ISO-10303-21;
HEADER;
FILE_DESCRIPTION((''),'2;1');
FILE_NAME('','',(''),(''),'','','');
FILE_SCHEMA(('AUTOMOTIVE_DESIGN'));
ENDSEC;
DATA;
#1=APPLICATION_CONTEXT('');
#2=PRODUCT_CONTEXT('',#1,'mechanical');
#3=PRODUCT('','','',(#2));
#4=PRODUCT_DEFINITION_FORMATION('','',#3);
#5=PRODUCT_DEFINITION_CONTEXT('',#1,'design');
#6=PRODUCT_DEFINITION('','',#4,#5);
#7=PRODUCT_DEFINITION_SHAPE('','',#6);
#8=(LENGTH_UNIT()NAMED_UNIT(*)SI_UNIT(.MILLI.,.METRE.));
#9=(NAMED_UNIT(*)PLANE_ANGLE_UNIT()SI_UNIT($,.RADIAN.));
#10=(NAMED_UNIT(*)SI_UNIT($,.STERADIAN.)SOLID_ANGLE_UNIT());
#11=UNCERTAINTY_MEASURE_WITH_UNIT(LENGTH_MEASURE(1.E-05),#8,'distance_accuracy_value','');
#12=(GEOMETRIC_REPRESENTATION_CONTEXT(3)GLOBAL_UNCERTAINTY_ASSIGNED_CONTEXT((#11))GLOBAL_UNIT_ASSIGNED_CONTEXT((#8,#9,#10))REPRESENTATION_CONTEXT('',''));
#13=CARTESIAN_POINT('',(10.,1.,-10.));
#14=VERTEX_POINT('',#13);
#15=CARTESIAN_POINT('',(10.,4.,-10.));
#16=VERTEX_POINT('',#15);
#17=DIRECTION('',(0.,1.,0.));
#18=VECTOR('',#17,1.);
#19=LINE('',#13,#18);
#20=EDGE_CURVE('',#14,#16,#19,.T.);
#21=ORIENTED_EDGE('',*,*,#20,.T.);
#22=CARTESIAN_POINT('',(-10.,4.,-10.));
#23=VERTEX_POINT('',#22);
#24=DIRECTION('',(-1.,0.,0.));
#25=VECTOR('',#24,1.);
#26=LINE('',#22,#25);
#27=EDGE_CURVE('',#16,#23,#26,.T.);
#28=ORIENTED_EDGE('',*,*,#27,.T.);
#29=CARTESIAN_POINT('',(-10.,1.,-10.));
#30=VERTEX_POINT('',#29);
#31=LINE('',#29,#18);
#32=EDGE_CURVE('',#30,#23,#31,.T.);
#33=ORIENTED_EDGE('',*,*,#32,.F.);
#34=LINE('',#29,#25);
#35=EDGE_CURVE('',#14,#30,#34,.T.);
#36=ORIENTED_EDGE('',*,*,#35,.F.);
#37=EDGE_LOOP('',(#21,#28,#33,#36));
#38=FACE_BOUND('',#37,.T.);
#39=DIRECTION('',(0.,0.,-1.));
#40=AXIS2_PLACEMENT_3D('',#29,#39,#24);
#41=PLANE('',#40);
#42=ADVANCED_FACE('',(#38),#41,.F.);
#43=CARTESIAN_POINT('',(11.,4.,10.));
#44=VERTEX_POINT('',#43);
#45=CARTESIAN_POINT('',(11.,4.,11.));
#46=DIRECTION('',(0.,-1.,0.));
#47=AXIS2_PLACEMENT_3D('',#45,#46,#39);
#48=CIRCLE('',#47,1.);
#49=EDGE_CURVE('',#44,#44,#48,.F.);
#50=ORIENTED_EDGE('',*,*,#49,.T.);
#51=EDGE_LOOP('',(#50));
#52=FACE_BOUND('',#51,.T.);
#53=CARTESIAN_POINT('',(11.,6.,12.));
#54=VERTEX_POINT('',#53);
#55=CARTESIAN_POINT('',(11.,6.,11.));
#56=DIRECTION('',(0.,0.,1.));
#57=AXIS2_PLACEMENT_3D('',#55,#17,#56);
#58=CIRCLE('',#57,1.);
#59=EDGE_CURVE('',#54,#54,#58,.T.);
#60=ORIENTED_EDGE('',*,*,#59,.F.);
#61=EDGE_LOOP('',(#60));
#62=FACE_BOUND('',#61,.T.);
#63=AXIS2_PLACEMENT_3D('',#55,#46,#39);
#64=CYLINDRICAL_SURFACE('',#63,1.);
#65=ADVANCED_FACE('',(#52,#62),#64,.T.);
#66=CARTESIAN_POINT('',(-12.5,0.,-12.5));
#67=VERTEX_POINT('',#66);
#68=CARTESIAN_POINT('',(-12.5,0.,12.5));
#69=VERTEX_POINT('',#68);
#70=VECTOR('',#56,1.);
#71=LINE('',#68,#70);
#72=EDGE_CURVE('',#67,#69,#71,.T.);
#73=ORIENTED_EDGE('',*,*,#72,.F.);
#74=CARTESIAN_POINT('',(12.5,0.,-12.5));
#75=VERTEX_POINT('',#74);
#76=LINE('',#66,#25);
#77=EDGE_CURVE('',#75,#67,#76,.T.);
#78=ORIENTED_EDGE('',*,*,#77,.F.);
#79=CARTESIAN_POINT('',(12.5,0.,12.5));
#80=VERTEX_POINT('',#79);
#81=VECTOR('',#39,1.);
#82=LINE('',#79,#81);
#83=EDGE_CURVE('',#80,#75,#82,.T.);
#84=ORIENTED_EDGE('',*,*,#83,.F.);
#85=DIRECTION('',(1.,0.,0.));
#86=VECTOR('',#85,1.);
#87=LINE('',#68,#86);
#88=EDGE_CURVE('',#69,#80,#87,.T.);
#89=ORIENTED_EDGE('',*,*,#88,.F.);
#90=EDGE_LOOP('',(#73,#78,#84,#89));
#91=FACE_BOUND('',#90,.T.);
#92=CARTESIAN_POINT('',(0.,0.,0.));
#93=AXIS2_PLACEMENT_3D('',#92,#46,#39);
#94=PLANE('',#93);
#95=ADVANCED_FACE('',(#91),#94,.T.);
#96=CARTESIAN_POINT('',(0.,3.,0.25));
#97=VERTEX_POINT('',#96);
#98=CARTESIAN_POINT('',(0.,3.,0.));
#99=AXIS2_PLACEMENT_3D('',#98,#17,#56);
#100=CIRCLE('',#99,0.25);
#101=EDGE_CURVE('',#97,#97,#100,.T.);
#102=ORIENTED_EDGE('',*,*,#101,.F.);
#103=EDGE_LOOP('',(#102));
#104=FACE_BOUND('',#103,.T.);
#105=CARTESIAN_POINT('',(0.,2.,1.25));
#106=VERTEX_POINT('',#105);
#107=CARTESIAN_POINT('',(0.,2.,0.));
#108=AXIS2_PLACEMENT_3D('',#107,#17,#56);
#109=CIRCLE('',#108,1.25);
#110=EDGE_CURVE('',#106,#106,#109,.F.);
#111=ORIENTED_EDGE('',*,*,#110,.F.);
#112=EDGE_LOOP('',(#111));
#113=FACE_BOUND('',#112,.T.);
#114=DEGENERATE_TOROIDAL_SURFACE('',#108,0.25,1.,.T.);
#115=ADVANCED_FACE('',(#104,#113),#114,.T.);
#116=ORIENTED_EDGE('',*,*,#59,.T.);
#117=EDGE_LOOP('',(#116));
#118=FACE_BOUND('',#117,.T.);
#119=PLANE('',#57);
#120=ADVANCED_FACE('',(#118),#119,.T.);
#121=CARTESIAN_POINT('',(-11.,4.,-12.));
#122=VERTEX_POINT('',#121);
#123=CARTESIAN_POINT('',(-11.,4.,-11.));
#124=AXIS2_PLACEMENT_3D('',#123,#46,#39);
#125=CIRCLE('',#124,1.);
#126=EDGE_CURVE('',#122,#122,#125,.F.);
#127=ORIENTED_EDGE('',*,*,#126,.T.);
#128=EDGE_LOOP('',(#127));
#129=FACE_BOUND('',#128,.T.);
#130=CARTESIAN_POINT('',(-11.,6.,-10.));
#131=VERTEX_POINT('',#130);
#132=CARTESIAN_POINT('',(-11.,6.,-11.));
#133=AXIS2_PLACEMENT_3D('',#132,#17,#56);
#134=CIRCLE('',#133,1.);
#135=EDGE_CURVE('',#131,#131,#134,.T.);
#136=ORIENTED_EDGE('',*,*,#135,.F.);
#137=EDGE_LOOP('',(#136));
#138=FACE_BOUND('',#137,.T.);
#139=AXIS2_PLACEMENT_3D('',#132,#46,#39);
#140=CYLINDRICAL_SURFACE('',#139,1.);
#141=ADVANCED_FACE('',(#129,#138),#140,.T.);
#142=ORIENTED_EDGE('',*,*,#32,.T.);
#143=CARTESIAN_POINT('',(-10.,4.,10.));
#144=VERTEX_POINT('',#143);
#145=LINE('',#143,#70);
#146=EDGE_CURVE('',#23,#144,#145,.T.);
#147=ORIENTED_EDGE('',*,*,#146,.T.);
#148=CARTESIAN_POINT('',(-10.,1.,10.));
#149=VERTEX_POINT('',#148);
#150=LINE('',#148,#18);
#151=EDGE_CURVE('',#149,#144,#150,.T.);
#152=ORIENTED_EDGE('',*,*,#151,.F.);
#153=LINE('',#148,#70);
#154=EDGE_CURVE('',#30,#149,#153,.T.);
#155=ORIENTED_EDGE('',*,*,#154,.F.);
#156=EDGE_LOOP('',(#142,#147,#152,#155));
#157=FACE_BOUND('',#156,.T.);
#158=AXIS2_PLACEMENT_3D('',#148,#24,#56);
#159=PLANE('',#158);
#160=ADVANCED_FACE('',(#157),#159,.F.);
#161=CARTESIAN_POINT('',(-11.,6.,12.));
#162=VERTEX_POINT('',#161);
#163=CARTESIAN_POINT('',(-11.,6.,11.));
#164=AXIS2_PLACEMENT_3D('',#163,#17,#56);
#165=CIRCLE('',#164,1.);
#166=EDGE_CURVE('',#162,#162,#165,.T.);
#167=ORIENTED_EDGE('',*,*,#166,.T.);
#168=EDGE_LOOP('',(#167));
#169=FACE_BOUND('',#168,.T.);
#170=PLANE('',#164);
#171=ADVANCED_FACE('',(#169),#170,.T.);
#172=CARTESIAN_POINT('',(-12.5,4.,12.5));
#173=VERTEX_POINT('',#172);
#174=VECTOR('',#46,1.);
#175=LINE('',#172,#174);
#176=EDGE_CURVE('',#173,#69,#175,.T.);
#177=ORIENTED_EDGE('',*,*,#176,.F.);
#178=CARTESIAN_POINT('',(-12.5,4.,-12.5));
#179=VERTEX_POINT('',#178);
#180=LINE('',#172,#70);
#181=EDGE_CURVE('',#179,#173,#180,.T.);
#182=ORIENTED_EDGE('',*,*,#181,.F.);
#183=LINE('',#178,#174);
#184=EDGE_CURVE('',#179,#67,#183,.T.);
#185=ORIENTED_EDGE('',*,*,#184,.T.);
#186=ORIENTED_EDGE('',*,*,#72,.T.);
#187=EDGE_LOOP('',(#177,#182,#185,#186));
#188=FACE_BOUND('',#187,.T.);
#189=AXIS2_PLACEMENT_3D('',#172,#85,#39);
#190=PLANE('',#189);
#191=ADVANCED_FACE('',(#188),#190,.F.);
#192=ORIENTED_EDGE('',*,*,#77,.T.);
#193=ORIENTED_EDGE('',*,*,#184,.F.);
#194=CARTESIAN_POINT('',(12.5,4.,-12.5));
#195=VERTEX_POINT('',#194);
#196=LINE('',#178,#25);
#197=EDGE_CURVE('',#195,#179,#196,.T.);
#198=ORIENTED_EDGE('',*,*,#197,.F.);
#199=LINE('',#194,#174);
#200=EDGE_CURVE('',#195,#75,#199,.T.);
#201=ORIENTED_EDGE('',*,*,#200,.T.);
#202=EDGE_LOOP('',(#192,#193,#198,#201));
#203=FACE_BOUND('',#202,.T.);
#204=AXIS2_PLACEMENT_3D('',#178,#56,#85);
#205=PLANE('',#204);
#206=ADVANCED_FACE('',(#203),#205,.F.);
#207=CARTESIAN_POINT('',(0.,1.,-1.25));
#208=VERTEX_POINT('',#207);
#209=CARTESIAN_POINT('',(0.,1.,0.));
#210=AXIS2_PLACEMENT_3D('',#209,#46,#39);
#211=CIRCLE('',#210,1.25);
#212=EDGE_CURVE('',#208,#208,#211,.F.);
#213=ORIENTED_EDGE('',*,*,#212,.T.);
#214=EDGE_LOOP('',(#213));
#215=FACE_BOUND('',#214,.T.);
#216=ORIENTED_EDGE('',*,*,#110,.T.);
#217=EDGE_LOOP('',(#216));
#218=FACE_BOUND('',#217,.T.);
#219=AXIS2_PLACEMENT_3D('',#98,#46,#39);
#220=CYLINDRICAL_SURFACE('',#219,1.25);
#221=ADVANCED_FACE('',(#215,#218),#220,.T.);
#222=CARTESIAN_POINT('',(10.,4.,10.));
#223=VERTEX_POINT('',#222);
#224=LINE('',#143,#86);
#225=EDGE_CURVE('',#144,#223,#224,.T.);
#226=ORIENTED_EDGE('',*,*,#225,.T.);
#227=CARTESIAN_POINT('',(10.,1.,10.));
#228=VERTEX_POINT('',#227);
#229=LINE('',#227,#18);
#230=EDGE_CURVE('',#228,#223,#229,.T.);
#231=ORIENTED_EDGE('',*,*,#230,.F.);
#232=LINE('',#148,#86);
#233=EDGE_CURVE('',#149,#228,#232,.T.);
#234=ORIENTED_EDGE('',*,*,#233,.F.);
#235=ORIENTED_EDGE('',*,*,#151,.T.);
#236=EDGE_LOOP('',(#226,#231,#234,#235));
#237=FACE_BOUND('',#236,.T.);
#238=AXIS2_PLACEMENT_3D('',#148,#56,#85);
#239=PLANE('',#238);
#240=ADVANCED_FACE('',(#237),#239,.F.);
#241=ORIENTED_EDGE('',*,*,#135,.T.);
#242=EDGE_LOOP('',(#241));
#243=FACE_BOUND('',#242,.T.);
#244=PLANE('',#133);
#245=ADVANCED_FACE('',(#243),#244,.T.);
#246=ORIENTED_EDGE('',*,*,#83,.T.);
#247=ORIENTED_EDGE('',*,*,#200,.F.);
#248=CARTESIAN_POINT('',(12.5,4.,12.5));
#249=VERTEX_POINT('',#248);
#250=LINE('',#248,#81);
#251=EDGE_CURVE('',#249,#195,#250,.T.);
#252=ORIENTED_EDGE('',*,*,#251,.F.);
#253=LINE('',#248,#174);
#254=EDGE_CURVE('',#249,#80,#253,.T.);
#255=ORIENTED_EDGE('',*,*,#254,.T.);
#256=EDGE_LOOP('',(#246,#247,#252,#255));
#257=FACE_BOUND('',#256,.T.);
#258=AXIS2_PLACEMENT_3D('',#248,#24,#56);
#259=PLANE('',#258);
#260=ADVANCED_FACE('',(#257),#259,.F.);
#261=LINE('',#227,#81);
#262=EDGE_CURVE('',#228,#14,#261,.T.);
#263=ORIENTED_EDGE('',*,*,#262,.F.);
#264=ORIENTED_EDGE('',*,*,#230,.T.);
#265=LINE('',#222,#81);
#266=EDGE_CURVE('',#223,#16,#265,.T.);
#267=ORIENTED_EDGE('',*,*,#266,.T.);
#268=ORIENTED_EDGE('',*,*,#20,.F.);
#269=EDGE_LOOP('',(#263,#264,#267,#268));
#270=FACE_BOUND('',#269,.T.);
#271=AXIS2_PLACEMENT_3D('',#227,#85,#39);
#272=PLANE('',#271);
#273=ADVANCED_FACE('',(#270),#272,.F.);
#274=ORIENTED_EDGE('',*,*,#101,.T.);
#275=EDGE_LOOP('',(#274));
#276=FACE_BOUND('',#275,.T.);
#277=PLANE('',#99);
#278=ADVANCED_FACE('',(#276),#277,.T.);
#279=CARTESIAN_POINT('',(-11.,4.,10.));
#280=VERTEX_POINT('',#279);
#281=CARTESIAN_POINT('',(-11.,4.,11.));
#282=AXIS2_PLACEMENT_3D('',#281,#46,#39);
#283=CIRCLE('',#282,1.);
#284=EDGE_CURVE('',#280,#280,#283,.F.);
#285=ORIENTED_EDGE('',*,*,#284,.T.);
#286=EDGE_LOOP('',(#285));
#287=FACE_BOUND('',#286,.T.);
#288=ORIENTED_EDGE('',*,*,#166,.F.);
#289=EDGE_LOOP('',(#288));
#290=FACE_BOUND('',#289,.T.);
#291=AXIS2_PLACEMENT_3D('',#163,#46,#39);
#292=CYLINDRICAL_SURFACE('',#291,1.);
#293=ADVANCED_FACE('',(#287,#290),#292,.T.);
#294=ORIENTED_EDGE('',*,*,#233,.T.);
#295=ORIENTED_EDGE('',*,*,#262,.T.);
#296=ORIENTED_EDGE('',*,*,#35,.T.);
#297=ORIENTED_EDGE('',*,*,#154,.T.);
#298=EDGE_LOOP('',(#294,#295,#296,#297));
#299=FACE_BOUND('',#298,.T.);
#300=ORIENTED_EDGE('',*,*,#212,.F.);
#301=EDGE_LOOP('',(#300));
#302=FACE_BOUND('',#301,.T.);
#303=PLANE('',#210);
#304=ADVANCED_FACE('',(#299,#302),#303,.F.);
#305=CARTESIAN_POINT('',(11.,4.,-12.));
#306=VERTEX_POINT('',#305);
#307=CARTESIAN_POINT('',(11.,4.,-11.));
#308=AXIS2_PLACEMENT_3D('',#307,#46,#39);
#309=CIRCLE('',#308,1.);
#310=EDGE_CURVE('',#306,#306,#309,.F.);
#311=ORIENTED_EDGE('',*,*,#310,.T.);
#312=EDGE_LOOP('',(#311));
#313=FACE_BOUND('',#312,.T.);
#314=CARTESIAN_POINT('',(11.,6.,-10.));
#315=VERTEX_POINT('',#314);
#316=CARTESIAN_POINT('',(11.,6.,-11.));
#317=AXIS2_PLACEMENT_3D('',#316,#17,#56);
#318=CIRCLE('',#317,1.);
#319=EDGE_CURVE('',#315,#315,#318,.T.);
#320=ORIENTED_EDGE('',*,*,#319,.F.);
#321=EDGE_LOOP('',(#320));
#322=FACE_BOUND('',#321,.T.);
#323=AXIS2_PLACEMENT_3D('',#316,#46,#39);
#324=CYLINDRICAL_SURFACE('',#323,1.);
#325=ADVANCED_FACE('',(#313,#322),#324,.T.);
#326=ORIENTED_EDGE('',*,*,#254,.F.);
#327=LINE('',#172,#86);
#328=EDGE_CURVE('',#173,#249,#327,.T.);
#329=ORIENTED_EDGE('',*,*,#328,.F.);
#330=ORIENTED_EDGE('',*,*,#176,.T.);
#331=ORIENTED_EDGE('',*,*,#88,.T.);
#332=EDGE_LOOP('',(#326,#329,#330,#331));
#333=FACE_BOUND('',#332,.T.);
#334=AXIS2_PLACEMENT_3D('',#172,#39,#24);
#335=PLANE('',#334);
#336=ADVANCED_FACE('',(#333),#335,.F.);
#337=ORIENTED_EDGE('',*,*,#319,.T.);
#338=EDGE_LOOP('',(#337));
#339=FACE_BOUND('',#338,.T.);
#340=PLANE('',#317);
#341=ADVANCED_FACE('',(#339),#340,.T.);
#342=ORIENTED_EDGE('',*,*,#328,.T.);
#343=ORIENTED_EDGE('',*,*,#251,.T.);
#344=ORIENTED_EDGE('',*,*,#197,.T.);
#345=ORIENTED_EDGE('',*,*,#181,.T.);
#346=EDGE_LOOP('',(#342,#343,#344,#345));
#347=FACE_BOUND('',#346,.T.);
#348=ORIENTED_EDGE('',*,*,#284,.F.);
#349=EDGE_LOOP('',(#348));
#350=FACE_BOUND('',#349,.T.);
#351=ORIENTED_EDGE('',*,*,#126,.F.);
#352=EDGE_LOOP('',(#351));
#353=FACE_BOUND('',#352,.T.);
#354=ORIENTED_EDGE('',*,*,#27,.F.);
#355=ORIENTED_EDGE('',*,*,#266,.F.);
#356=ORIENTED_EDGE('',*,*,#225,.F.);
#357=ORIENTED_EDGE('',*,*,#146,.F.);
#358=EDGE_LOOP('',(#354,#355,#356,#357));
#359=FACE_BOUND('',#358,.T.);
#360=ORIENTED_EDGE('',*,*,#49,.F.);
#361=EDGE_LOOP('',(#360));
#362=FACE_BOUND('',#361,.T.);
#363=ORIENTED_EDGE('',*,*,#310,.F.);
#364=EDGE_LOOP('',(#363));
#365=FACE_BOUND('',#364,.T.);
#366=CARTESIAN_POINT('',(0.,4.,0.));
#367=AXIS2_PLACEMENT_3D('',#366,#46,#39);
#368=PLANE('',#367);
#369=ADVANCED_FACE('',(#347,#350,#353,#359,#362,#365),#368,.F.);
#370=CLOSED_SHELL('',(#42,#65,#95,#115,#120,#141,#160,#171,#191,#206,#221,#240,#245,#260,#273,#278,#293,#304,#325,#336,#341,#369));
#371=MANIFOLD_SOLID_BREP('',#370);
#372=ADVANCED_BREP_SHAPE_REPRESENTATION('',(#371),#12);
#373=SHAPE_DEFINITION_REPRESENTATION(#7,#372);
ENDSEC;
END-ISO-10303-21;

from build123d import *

# Parameters (mm, degrees)
SKETCH1_W           = 25
SKETCH1_H           = 25
BOSS_EXTRUDE1_DEPTH = 4
SKETCH2_W           = 20
SKETCH2_H           = 20
CUT_EXTRUDE1_DEPTH  = 3
SKETCH3_R           = 1.25
BOSS_EXTRUDE2_DEPTH = 2
FILLET1_R           = 1
SKETCH4_R           = 1
BOSS_EXTRUDE3_DEPTH = 2


with BuildPart() as part:
    # Sketch1 → Boss-Extrude1 (new body)
    with BuildSketch(Plane(origin=(0, 0, 0), x_dir=(1, 0, 0), z_dir=(0, 1, 0))):
        Rectangle(SKETCH1_W, SKETCH1_H)
    extrude(amount=BOSS_EXTRUDE1_DEPTH)

    # Sketch2 → Cut-Extrude1 (cut)
    with BuildSketch(Plane(origin=(0, 4, 0), x_dir=(1, 0, 0), z_dir=(0, 1, 0))):
        Rectangle(SKETCH2_W, SKETCH2_H)
    extrude(amount=-CUT_EXTRUDE1_DEPTH, mode=Mode.SUBTRACT)

    # Sketch3 → Boss-Extrude2 (add)
    with BuildSketch(Plane(origin=(0, 1, 0), x_dir=(1, 0, 0), z_dir=(0, 1, 0))):
        Circle(SKETCH3_R)
    extrude(amount=BOSS_EXTRUDE2_DEPTH)

    # Fillet1
    fillet1_edges = [part.edges().sort_by_distance(p)[0] for p in [
        (-1.25, 3, 0),
    ]]
    fillet(fillet1_edges, radius=FILLET1_R)

    # Sketch4 → Boss-Extrude3 (add)
    with BuildSketch(Plane(origin=(0, 4, 0), x_dir=(1, 0, 0), z_dir=(0, 1, 0))):
        with Locations((-11, 11)):
            Circle(SKETCH4_R)
        with Locations((11, 11)):
            Circle(SKETCH4_R)
        with Locations((11, -11)):
            Circle(SKETCH4_R)
        with Locations((-11, -11)):
            Circle(SKETCH4_R)
    extrude(amount=BOSS_EXTRUDE3_DEPTH)


solid = part.part
